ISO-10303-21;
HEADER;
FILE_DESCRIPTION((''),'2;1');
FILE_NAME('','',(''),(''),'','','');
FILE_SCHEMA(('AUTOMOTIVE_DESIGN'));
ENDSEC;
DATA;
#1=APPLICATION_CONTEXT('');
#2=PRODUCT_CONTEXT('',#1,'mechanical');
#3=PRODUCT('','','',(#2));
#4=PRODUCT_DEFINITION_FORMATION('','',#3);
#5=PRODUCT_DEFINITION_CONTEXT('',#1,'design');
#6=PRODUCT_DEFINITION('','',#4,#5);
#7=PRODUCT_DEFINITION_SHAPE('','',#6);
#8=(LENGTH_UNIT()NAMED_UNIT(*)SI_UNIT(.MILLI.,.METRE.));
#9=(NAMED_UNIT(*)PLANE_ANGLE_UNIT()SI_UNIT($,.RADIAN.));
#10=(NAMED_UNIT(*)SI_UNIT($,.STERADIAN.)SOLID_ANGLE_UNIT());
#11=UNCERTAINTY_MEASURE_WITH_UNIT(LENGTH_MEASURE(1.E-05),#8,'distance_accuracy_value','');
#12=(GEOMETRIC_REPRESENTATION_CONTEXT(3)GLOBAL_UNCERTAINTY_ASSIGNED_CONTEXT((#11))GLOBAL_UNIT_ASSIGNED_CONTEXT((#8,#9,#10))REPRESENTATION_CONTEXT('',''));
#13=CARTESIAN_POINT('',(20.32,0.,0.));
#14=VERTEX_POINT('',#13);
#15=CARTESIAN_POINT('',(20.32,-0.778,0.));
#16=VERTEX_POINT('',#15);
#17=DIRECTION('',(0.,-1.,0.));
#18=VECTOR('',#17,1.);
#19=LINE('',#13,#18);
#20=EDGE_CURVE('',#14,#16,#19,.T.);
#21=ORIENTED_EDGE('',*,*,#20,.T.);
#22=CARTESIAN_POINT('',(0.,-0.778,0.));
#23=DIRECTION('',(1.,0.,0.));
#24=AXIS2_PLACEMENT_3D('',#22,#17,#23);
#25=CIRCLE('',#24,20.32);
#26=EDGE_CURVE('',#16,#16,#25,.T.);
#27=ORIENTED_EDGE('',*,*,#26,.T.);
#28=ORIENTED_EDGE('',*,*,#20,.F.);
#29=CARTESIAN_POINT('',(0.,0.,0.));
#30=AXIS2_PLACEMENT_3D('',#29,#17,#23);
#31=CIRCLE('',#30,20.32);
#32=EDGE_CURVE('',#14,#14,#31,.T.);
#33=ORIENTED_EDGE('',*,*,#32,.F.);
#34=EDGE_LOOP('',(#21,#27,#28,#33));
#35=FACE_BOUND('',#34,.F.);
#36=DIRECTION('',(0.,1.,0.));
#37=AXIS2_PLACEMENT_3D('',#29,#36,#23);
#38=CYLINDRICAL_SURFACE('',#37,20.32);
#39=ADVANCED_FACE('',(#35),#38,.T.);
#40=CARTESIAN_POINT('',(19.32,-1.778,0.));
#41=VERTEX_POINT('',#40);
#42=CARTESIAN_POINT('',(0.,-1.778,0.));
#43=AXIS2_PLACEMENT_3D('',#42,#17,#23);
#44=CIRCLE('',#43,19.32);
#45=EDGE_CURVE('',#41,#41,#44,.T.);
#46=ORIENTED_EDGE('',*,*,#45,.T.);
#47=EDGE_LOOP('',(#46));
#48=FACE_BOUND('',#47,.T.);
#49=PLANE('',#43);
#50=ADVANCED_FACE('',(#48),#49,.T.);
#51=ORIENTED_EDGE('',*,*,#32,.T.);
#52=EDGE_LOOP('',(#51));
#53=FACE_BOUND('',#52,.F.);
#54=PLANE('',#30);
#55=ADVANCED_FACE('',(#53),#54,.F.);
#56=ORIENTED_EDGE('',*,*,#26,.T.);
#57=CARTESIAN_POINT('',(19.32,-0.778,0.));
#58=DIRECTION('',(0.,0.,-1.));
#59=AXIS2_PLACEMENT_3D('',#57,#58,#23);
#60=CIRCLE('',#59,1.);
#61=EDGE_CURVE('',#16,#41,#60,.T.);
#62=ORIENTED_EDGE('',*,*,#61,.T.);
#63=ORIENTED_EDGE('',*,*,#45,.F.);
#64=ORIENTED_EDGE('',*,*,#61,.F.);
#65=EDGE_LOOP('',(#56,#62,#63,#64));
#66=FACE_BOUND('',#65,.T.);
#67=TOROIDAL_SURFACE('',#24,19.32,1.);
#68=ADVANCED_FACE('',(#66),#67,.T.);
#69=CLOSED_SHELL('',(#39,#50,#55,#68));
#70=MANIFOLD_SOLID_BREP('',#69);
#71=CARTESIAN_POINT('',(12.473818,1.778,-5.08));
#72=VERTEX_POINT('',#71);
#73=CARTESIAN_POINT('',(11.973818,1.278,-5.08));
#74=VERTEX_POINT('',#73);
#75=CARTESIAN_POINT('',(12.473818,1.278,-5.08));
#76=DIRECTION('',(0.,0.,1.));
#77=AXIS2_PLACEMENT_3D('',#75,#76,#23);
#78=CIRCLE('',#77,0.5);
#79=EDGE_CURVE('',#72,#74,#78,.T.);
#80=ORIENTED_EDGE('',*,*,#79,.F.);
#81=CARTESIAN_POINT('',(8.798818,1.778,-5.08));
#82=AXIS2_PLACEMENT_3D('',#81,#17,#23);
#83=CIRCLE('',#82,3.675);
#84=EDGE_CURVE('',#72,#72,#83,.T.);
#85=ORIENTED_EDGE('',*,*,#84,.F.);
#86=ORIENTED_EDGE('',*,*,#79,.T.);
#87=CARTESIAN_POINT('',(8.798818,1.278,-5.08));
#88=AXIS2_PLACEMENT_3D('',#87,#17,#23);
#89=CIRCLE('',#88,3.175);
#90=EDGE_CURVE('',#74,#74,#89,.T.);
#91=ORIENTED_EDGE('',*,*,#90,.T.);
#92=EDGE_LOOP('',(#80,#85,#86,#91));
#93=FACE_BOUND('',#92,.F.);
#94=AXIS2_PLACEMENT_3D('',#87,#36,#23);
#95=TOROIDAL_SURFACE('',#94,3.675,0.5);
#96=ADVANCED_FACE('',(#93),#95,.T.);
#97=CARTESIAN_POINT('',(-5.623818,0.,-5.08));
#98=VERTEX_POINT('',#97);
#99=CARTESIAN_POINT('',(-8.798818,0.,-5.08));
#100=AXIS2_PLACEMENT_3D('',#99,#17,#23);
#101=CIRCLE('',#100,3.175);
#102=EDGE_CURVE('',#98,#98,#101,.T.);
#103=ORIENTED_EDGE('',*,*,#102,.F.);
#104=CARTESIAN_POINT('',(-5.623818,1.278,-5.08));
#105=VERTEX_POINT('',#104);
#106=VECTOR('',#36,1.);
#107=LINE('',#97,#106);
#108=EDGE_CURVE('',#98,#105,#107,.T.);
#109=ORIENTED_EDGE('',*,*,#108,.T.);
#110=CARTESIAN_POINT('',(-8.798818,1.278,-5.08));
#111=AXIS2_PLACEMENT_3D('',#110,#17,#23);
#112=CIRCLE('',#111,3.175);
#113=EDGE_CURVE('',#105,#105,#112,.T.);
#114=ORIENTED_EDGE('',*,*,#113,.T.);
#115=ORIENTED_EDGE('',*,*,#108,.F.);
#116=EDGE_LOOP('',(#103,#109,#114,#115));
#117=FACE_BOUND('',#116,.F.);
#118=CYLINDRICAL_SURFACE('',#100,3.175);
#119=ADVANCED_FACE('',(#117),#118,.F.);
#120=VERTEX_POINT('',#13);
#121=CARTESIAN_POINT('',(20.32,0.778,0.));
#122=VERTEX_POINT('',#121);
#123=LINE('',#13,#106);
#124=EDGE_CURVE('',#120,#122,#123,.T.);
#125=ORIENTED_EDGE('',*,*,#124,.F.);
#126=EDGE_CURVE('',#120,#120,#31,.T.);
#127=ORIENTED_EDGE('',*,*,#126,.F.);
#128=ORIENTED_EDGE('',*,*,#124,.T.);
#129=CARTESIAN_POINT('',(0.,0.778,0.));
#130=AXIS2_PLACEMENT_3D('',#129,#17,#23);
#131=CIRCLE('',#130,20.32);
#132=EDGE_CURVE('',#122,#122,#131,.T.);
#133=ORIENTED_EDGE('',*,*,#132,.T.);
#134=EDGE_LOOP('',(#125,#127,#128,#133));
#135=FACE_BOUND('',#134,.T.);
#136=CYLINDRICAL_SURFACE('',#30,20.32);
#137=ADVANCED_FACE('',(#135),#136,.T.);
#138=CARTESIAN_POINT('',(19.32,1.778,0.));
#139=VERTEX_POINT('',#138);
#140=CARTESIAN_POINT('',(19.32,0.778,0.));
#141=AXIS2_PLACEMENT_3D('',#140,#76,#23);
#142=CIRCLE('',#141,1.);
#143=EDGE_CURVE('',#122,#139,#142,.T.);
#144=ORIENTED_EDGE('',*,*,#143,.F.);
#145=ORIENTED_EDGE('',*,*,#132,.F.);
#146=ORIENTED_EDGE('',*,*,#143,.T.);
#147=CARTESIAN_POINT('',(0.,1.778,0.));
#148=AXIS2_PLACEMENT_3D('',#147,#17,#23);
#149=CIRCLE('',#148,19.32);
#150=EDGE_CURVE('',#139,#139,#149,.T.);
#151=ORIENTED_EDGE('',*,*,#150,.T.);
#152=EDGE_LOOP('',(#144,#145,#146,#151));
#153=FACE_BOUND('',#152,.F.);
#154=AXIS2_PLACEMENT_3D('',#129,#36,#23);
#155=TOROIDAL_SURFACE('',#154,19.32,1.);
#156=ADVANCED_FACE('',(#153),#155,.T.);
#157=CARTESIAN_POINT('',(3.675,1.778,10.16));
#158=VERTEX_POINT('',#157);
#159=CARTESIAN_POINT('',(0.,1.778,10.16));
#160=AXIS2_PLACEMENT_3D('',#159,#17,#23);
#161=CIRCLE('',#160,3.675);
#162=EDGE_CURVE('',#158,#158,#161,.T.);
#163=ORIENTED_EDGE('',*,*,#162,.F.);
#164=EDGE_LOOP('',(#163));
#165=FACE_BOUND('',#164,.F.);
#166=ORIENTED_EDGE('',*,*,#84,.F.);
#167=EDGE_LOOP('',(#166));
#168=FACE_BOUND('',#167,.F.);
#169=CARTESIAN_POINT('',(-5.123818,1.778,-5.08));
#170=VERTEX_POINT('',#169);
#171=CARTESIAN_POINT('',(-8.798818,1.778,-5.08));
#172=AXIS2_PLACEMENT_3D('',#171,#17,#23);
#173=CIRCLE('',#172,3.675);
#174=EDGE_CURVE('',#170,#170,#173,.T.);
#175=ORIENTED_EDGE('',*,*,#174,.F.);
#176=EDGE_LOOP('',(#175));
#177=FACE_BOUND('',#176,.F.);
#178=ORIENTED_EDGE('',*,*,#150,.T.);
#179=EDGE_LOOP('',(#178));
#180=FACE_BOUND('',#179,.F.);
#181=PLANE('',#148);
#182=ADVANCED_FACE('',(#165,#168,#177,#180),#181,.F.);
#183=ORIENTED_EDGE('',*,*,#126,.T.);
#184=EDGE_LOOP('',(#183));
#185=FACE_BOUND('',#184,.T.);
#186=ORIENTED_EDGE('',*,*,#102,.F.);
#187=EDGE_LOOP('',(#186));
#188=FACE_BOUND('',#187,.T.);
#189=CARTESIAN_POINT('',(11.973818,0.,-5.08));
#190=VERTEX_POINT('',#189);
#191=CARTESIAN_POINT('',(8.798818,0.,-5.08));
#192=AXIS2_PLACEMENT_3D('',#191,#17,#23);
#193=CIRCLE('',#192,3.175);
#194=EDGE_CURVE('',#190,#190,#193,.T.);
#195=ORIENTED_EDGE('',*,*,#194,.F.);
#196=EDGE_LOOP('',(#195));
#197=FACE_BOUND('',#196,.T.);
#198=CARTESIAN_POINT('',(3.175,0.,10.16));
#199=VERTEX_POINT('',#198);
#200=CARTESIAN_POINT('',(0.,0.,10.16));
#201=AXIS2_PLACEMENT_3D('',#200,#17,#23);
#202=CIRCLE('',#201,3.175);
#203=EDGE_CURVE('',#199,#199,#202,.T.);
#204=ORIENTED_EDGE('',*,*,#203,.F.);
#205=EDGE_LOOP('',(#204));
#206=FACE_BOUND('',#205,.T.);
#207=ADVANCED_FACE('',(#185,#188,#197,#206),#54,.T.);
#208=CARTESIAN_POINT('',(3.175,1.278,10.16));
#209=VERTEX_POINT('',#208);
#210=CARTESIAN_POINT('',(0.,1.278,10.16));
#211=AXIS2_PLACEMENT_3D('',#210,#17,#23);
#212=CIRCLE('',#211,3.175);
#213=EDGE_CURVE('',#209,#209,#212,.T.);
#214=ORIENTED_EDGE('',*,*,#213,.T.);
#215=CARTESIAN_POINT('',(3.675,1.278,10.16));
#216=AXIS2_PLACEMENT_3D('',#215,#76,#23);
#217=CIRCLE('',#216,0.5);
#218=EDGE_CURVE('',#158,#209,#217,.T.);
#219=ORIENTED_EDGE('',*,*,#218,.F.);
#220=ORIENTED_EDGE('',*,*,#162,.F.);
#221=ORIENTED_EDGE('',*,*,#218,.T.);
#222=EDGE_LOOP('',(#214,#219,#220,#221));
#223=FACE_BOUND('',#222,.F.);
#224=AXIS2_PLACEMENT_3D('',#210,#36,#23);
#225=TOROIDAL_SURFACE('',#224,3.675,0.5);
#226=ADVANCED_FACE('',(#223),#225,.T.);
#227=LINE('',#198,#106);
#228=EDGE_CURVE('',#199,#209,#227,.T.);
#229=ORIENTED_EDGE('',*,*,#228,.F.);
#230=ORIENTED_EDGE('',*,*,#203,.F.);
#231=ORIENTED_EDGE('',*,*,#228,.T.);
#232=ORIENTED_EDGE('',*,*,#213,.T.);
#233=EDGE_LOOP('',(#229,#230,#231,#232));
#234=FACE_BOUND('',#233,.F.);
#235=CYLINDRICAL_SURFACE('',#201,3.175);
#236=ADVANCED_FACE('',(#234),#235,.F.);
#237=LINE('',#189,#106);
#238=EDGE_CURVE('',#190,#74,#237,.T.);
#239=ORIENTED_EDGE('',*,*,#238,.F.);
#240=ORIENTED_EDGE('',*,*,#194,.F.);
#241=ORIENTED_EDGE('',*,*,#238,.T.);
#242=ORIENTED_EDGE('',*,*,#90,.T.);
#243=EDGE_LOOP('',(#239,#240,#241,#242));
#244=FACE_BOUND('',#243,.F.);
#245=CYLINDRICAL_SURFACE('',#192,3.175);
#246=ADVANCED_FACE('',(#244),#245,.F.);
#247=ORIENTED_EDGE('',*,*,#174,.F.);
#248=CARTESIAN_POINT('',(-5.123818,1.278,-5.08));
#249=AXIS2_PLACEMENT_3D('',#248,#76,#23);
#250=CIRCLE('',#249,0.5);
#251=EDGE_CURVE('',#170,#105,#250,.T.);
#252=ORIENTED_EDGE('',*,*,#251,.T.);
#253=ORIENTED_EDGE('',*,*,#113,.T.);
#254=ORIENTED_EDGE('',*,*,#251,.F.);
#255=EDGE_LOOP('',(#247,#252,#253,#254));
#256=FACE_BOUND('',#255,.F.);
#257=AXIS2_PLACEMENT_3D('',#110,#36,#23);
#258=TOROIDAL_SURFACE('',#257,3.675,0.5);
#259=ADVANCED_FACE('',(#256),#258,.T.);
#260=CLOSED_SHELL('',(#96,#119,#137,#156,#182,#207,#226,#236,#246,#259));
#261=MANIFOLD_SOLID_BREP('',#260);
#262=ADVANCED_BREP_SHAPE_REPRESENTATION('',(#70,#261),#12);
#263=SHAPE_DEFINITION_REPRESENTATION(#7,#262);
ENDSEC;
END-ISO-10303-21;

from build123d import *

# Parameters (mm, degrees)
F0_R     = 20.32
F0_R_2   = 17.78
F0_R_3   = 3.175
F1_DEPTH = 1.778
F2_DEPTH = 1.778
F3_R     = 1
F3_2_R   = 1
F4_R     = 0.5


with BuildPart() as f1:
    # F0 (on Front) → F1 (new body)
    with BuildSketch(Plane.XZ):
        Circle(F0_R)
        Circle(F0_R_2, mode=Mode.SUBTRACT)
        Circle(F0_R_2)
        with Locations((-8.7988181024, -5.08)):
            Circle(F0_R_3, mode=Mode.SUBTRACT)
        with Locations((8.7988181024, -5.08)):
            Circle(F0_R_3, mode=Mode.SUBTRACT)
        with Locations((0, 10.16)):
            Circle(F0_R_3, mode=Mode.SUBTRACT)
        with Locations((-8.7988181024, -5.08)):
            Circle(F0_R_3)
        with Locations((8.7988181024, -5.08)):
            Circle(F0_R_3)
        with Locations((0, 10.16)):
            Circle(F0_R_3)
    extrude(amount=F1_DEPTH)

    # F3
    f3_edges = [f1.edges().sort_by_distance(p)[0] for p in [
        (-20.32, -1.778, 0),
    ]]
    fillet(f3_edges, radius=F3_R)


with BuildPart() as f2:
    # F0 (on Front) → F2 (new body)
    with BuildSketch(Plane.XZ):
        Circle(F0_R)
        Circle(F0_R_2, mode=Mode.SUBTRACT)
        Circle(F0_R_2)
        with Locations((-8.7988181024, -5.08)):
            Circle(F0_R_3, mode=Mode.SUBTRACT)
        with Locations((8.7988181024, -5.08)):
            Circle(F0_R_3, mode=Mode.SUBTRACT)
        with Locations((0, 10.16)):
            Circle(F0_R_3, mode=Mode.SUBTRACT)
    extrude(amount=-F2_DEPTH)

    # F3#2
    f3_2_edges = [f2.edges().sort_by_distance(p)[0] for p in [
        (-20.32, 1.778, 0),
    ]]
    fillet(f3_2_edges, radius=F3_2_R)

    # F4
    f4_edges = [f2.edges().sort_by_distance(p)[0] for p in [
        (5.623818, 1.778, -5.08),
        (-11.973818, 1.778, -5.08),
        (-3.175, 1.778, 10.16),
    ]]
    fillet(f4_edges, radius=F4_R)


solid = Compound([f1.part, f2.part])
